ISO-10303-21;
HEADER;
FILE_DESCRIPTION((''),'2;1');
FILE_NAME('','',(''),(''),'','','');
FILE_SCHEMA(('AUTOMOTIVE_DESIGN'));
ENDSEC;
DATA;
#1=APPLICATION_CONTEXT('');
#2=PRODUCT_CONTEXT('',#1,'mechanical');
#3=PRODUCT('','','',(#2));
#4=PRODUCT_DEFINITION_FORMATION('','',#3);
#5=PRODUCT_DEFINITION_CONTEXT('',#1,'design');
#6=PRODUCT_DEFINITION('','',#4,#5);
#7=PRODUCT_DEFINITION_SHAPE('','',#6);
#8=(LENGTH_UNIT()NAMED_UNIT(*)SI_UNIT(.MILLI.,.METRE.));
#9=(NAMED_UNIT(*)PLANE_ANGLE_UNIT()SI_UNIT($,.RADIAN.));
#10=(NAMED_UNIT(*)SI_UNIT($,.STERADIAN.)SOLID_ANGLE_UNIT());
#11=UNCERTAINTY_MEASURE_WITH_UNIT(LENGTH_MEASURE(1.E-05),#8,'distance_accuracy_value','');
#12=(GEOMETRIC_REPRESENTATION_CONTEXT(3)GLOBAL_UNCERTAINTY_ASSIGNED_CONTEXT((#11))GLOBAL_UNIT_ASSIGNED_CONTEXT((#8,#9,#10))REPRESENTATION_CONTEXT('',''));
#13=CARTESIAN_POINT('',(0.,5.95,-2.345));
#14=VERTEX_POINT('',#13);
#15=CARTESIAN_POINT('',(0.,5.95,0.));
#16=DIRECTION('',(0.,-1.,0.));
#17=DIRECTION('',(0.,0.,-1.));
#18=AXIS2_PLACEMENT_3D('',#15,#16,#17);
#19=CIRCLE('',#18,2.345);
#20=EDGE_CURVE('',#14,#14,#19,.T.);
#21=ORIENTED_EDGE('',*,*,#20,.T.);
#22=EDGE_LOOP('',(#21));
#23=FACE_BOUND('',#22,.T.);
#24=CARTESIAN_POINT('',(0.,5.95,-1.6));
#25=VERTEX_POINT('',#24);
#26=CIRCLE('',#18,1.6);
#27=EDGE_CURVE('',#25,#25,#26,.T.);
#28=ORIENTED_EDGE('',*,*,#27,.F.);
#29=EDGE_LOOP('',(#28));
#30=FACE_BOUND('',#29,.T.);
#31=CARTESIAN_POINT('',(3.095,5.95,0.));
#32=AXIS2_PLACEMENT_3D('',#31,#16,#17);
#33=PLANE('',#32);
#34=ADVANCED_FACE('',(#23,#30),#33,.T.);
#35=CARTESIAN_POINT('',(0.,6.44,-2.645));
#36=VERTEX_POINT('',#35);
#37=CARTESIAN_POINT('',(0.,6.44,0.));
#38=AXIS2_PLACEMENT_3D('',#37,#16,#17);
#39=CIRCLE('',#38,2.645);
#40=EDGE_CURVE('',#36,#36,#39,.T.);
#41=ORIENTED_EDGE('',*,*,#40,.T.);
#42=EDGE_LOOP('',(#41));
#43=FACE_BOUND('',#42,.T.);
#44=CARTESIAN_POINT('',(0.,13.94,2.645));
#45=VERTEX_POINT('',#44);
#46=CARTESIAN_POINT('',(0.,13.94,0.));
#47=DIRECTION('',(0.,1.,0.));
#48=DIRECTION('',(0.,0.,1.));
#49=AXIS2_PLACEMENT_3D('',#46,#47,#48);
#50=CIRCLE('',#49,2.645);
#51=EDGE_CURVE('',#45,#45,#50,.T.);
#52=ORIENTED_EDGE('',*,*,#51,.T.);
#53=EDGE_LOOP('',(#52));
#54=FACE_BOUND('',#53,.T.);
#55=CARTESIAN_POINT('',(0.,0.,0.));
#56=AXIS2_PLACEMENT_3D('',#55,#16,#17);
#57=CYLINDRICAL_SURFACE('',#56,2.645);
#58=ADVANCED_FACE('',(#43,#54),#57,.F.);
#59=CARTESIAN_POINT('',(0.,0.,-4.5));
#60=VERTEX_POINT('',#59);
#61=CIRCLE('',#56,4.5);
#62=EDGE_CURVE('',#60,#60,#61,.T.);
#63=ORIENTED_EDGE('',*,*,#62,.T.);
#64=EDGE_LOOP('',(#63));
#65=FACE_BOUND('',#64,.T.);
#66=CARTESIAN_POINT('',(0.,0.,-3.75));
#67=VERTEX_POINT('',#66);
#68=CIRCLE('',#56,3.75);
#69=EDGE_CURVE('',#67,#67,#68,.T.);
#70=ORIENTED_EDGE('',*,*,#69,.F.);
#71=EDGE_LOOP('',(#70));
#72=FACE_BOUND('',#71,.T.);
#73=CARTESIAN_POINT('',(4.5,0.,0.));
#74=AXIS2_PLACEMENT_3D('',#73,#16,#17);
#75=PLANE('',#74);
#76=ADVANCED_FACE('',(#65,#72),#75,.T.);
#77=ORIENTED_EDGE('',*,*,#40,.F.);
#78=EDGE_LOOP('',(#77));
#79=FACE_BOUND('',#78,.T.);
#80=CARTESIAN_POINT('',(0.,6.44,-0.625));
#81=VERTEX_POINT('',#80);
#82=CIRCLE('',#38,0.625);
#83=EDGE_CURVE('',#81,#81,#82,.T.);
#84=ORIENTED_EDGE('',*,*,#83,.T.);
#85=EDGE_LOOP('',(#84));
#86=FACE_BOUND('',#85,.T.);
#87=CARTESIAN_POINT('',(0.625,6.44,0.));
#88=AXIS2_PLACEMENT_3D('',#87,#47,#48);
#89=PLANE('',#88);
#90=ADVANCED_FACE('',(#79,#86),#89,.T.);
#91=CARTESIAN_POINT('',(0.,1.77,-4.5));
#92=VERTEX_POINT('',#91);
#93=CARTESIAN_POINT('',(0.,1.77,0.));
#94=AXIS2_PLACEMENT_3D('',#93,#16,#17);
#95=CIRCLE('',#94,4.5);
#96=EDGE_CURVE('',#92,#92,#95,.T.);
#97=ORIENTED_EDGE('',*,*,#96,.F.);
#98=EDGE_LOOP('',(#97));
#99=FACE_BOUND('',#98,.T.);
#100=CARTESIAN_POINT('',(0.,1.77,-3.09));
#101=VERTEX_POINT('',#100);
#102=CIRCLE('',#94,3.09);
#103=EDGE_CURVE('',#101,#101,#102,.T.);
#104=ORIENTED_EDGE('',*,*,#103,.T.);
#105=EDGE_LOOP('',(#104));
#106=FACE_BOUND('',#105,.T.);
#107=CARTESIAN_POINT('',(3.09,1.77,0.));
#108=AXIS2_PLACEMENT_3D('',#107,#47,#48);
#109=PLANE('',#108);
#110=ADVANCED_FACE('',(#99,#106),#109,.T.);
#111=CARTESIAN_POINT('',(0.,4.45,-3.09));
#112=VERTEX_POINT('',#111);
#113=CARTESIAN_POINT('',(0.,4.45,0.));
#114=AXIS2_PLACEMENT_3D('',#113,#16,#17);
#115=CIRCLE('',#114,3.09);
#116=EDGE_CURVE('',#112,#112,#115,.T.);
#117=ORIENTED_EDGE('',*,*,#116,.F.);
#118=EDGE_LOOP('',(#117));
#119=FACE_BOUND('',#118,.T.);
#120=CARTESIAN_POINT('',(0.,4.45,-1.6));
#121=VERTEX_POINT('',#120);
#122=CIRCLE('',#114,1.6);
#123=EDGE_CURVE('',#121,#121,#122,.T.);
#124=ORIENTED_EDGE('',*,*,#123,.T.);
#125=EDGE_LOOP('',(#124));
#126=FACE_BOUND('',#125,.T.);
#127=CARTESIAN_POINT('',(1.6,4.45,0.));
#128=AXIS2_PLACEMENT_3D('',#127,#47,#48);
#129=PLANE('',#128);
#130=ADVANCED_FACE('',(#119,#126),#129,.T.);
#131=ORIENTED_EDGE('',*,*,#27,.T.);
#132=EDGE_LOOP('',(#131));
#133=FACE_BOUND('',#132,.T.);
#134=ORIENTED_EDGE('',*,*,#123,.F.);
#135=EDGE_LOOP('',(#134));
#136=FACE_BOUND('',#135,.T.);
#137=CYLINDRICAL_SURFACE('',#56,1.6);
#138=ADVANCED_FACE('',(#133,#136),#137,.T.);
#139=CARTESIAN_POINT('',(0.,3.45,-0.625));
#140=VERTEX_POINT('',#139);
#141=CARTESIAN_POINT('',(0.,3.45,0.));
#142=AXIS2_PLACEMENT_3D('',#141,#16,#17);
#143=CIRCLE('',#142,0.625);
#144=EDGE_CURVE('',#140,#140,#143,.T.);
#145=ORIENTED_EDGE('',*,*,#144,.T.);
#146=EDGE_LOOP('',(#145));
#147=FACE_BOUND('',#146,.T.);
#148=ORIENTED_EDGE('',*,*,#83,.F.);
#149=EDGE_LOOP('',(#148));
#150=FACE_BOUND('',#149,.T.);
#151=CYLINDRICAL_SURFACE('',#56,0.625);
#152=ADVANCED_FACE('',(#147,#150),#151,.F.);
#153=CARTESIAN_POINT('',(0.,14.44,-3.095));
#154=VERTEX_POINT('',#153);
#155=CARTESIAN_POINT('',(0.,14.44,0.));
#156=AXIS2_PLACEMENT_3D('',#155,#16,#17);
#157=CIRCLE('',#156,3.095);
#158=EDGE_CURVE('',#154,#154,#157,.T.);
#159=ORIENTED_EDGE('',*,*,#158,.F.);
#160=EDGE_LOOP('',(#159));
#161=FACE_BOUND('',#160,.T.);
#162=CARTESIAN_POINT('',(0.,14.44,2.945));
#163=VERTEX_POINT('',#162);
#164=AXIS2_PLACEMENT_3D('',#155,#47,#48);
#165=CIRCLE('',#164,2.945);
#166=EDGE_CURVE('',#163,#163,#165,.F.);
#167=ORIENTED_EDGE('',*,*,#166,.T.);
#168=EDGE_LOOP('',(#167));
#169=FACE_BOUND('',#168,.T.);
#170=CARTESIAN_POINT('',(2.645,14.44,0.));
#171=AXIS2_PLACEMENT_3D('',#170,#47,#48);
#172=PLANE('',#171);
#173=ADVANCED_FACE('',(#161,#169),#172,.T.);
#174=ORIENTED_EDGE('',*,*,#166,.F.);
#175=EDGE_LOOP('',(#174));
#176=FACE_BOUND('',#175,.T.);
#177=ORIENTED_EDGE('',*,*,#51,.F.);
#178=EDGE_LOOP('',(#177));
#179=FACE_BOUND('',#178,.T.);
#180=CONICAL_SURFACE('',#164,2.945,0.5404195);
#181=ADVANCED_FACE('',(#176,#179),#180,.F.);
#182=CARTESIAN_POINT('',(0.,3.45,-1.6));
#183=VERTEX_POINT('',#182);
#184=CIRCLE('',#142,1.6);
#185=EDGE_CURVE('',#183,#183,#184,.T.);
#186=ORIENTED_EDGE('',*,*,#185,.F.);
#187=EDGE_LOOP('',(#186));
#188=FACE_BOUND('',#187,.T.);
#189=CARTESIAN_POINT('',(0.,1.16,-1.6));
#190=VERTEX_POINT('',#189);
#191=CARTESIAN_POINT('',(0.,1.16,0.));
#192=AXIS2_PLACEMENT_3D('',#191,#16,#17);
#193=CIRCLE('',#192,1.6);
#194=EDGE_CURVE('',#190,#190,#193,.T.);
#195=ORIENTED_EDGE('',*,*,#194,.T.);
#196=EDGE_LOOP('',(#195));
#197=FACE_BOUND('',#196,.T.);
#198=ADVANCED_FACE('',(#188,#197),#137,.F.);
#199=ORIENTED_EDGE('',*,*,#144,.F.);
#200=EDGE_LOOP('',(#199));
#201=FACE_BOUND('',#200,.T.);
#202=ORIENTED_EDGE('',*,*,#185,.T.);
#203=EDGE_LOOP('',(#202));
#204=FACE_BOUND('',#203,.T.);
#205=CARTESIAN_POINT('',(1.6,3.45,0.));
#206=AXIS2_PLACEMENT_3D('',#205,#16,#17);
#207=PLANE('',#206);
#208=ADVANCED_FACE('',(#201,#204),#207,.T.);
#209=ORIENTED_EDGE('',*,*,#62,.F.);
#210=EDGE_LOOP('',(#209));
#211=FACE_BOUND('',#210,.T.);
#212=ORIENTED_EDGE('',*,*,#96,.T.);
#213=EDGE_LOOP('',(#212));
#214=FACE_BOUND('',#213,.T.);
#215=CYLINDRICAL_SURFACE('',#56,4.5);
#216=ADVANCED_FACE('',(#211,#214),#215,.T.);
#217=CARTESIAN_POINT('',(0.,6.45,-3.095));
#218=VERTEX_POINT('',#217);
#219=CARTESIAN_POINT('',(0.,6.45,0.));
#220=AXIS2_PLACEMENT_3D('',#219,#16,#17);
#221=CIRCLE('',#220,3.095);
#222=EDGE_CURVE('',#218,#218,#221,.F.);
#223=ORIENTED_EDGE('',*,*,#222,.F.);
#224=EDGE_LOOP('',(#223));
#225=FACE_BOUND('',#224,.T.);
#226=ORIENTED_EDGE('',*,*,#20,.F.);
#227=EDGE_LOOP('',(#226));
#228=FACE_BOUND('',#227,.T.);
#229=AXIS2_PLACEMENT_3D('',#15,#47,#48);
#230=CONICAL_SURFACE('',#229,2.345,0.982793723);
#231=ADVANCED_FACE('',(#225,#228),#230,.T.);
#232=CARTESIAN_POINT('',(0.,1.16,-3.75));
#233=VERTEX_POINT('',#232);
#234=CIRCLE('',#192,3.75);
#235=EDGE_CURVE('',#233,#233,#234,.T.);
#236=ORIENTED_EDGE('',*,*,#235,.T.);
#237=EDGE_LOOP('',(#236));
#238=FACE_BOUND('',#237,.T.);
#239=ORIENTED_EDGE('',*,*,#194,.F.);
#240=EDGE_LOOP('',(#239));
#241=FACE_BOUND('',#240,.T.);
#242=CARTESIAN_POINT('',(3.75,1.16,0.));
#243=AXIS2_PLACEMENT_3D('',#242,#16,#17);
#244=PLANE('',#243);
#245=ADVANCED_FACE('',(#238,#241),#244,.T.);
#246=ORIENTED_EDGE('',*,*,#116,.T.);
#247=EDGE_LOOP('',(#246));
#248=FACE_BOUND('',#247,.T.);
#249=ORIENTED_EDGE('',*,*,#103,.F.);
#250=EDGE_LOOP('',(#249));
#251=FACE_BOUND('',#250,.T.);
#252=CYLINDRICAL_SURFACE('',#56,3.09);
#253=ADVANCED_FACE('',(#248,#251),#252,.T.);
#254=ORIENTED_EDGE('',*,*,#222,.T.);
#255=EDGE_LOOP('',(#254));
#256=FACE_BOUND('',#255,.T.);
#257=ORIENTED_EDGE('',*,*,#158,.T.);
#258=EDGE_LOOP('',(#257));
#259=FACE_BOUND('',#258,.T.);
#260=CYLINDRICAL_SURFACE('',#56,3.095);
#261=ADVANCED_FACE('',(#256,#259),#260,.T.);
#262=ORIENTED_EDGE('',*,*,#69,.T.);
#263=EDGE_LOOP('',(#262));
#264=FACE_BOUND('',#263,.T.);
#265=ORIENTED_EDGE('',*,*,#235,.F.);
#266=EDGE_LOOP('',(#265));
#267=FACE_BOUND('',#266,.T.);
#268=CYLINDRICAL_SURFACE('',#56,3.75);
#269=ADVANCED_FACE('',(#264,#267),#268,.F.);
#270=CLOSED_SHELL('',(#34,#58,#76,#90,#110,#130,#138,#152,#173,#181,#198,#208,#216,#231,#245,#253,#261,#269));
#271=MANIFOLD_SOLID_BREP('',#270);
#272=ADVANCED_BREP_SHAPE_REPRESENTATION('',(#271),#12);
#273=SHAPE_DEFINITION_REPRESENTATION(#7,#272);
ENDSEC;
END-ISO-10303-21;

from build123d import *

# Parameters (mm, degrees)
CHAMFER1_SIZE  = 0.5
CHAMFER1_SIZE2 = 0.3
CHAMFER2_SIZE  = 0.5
CHAMFER2_SIZE2 = 0.75


with BuildPart() as part:
    # Sketch1 → Revolve1 (revolve)
    with BuildSketch(Plane.XY):
        Polygon((3.75, 0), (3.75, 1.16), (1.6, 1.16), (1.6, 3.45), (0.625, 3.45), (0.625, 6.44), (2.645, 6.44), (2.645, 14.44), (3.095, 14.44), (3.095, 5.95), (1.6, 5.95), (1.6, 4.45), (3.09, 4.45), (3.09, 1.77), (4.5, 1.77), (4.5, 0), align=None)
    revolve(axis=Axis((0, 0, 0), (0, 1, 0)))

    # Chamfer1
    chamfer1_edges = [part.edges().sort_by_distance(p)[0] for p in [
        (-2.645, 14.44, 0),
    ]]
    chamfer1_side = [part.faces().sort_by_distance(p)[0] for p in [
        (-2.645, 10.44, 0),
    ]]
    chamfer(chamfer1_edges, length=CHAMFER1_SIZE, length2=CHAMFER1_SIZE2, reference=chamfer1_side[0])

    # Chamfer2
    chamfer2_edges = [part.edges().sort_by_distance(p)[0] for p in [
        (-3.095, 5.95, 0),
    ]]
    chamfer2_side = [part.faces().sort_by_distance(p)[0] for p in [
        (-3.095, 10.195, 0),
    ]]
    chamfer(chamfer2_edges, length=CHAMFER2_SIZE, length2=CHAMFER2_SIZE2, reference=chamfer2_side[0])


solid = part.part
